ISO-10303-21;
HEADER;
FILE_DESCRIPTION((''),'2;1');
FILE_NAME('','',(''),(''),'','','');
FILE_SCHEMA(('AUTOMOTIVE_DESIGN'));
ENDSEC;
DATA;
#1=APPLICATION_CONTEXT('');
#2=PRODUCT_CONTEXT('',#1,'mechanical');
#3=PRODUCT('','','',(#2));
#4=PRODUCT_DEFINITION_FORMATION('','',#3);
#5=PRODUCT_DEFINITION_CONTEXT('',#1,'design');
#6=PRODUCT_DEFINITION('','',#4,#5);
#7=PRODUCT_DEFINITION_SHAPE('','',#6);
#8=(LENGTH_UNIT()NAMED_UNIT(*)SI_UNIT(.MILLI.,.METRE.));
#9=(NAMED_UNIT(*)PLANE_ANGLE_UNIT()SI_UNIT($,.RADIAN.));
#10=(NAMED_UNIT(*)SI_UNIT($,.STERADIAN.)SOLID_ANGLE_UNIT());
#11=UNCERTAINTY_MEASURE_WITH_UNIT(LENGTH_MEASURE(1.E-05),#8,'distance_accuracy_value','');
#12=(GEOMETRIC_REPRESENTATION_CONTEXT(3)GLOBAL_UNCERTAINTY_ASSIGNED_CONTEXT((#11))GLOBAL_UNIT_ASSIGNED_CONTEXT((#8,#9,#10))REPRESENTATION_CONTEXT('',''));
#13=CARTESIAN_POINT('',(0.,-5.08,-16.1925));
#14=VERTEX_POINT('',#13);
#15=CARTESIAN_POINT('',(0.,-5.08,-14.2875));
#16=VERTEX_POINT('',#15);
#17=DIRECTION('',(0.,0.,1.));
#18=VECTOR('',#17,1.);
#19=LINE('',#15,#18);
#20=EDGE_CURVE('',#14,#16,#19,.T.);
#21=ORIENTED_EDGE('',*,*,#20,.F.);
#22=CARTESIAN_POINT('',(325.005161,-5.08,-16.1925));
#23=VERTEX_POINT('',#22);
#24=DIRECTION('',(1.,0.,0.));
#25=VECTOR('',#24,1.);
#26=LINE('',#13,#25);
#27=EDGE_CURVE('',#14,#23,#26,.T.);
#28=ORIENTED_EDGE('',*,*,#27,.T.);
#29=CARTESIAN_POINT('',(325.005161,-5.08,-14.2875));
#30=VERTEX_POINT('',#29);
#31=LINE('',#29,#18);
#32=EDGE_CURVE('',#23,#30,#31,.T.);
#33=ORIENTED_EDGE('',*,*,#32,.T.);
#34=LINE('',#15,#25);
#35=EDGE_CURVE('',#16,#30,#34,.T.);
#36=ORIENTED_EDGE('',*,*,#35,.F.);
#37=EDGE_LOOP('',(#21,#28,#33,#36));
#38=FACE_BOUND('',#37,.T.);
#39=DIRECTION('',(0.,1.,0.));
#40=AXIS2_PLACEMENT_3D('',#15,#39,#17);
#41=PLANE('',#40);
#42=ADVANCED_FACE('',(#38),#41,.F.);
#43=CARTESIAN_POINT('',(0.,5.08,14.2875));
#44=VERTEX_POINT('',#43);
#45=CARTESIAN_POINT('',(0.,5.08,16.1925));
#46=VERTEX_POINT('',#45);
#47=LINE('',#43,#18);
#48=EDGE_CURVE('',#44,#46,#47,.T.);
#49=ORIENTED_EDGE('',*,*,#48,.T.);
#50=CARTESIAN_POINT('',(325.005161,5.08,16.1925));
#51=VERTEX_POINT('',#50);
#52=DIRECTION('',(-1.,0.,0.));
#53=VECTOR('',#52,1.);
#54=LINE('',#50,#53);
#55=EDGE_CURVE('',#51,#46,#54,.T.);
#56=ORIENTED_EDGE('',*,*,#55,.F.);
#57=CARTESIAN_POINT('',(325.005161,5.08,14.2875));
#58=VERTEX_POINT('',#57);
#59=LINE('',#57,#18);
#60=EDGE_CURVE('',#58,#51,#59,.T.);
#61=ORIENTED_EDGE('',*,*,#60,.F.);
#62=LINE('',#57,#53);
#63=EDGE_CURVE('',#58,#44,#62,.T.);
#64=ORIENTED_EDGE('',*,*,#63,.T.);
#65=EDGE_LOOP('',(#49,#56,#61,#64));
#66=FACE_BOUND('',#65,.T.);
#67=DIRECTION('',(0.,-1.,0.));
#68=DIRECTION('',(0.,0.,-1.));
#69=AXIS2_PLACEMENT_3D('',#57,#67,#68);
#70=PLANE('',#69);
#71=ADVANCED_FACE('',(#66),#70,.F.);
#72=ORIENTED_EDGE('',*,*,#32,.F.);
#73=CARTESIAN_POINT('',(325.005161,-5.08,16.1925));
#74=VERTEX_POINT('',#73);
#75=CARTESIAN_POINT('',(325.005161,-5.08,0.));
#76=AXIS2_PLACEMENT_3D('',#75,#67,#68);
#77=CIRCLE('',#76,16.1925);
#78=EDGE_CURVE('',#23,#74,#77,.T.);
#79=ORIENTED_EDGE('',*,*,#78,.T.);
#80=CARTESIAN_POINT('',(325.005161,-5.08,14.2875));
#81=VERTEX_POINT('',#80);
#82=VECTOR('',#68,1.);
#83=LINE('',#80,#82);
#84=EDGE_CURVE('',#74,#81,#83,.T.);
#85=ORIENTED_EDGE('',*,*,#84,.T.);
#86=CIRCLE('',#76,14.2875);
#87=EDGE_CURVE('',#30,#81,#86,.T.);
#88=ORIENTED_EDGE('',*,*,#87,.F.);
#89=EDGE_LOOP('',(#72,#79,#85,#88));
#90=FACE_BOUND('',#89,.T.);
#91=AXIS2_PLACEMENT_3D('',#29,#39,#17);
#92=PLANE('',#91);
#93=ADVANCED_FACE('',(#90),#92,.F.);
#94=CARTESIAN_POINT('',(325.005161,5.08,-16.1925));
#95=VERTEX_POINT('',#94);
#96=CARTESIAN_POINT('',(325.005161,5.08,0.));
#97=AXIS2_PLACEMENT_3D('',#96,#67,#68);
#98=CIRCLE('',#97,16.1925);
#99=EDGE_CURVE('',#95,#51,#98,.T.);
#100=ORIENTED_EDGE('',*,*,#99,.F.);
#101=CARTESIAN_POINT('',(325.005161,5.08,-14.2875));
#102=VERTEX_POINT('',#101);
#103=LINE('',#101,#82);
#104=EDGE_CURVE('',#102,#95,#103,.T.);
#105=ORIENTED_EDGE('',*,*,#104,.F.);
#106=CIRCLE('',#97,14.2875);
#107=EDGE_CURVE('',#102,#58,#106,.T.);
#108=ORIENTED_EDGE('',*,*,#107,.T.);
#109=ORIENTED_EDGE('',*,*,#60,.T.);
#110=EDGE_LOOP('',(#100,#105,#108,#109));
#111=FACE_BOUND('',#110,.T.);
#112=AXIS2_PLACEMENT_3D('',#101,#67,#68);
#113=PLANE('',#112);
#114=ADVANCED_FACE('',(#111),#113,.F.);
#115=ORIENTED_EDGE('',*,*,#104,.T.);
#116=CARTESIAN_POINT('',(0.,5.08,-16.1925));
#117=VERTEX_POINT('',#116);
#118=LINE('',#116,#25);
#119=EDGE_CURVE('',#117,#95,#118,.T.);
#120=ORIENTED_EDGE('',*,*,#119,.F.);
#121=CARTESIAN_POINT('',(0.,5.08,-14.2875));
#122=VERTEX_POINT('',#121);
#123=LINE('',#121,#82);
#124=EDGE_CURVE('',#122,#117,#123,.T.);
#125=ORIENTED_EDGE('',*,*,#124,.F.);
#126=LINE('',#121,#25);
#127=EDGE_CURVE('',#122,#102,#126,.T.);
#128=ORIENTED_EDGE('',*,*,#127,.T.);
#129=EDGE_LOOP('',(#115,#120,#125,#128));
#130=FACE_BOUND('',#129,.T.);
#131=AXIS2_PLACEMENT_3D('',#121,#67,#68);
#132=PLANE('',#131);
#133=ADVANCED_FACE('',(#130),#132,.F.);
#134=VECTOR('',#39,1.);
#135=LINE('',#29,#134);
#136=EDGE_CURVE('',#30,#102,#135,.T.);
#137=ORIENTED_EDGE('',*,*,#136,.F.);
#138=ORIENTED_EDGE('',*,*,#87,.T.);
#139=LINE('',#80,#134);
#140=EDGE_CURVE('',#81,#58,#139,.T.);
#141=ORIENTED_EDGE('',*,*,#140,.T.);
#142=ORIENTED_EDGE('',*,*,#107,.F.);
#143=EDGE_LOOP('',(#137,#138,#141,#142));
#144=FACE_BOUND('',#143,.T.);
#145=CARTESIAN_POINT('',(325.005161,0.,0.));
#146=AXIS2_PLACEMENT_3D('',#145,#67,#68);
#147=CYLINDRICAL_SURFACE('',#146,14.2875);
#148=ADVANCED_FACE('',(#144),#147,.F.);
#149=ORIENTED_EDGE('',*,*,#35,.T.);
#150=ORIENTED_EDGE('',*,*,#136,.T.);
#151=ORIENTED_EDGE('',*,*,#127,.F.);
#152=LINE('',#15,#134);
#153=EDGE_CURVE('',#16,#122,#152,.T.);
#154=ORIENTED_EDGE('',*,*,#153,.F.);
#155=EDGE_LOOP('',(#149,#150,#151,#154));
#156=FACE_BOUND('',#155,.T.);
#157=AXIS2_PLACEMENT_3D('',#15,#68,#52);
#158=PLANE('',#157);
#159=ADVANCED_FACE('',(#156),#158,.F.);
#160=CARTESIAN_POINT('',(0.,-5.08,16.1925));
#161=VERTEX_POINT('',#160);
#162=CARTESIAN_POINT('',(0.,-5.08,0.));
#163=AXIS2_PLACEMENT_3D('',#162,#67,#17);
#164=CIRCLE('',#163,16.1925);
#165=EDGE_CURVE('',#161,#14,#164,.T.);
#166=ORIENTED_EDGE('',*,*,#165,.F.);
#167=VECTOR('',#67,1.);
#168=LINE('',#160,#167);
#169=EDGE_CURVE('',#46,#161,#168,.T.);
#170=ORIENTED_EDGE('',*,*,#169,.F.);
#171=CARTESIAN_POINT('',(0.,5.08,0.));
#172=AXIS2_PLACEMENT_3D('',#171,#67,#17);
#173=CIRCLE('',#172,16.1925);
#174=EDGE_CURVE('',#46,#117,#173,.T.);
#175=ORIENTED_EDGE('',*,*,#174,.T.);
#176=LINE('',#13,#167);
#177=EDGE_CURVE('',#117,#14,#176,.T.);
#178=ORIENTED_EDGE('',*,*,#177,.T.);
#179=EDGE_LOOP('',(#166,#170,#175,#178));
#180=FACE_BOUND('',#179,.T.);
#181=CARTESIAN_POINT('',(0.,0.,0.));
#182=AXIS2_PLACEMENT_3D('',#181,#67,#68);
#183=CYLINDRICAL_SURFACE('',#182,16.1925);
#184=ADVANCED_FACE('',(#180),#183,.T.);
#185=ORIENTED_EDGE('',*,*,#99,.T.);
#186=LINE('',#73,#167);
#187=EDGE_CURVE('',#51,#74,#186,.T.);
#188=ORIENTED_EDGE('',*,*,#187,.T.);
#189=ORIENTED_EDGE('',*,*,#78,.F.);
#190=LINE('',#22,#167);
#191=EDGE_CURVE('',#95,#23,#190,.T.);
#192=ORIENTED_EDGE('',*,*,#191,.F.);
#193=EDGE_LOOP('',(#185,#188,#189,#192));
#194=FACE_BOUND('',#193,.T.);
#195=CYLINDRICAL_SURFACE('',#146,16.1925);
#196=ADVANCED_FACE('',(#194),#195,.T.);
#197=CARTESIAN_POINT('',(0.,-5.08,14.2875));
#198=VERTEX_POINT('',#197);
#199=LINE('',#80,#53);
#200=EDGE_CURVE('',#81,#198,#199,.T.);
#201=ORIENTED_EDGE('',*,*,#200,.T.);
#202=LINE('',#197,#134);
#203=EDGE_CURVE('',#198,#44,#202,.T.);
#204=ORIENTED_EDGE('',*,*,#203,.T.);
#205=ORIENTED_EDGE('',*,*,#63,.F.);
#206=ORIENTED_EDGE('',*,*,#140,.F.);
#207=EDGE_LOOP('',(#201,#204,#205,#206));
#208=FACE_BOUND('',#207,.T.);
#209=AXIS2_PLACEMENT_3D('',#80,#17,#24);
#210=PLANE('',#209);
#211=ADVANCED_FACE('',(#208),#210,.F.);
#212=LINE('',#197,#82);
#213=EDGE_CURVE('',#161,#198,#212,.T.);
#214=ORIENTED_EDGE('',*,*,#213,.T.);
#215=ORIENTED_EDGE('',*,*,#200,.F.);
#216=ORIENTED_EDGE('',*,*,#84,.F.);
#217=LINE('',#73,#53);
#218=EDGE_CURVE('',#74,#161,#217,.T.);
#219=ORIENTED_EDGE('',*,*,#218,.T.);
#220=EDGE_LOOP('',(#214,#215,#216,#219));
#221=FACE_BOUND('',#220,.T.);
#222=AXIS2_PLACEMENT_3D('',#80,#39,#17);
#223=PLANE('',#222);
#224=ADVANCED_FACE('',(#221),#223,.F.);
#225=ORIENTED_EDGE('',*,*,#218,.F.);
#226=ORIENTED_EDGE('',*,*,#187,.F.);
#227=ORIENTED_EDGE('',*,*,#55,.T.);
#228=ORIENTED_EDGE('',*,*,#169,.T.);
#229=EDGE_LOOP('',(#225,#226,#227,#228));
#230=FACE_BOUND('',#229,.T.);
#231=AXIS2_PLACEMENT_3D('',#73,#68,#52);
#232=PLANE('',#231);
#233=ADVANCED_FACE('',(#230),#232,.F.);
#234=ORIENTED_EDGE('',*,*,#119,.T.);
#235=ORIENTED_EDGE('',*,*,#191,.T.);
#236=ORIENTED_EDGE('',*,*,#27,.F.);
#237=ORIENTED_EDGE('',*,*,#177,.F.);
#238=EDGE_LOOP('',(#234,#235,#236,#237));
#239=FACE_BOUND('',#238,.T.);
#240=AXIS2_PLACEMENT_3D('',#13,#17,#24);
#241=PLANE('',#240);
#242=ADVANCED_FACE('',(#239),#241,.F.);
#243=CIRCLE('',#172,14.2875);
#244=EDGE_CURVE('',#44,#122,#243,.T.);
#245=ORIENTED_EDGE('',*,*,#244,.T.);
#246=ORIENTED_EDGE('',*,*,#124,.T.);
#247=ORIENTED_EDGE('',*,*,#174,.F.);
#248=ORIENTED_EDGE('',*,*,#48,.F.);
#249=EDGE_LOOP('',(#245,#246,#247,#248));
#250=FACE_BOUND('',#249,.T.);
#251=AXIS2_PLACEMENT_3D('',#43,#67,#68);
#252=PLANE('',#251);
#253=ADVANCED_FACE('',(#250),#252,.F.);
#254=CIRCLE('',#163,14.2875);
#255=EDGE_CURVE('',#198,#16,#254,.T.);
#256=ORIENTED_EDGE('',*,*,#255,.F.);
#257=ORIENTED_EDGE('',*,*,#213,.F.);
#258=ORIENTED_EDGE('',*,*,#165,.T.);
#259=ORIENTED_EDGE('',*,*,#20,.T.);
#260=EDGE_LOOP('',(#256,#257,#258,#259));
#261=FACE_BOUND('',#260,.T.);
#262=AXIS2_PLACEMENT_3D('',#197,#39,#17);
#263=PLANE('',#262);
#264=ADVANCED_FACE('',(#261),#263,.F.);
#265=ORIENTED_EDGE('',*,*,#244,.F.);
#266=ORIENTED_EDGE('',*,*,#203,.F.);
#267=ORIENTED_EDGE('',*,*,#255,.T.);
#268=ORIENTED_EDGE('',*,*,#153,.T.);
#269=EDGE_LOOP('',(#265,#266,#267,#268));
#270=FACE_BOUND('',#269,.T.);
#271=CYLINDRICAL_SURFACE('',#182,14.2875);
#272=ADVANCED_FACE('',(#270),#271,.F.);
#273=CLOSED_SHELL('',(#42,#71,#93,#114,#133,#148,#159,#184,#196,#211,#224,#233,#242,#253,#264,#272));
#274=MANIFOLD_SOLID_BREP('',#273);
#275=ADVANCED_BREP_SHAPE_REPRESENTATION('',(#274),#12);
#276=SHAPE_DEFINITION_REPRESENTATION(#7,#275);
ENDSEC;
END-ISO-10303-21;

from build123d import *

# Parameters (mm, degrees)
SKETCH2_W = 1.905
SKETCH2_H = 10.16


with BuildPart() as part:
    # Sweep1: sweep along a path in Sketch1
    with BuildLine(Plane(origin=(0, 0, 0), x_dir=(1, 0, 0), z_dir=(0, 1, 0))) as sweep1_path:
        Line((0, 15.24), (325.005160504, 15.24))
        ThreePointArc((325.005160504, 15.24), (340.245160504, 0), (325.005160504, -15.24))
        Line((325.005160504, -15.24), (0, -15.24))
        ThreePointArc((0, -15.24), (-15.24, 0), (0, 15.24))
    # Sketch2 → Sweep1 (sweep)
    with BuildSketch(Plane(origin=(0, 0, 0), x_dir=(0, 0, -1), z_dir=(1, 0, 0))):
        with Locations((-15.24, 0)):
            Rectangle(SKETCH2_W, SKETCH2_H)
    sweep(path=sweep1_path.line)


solid = part.part
